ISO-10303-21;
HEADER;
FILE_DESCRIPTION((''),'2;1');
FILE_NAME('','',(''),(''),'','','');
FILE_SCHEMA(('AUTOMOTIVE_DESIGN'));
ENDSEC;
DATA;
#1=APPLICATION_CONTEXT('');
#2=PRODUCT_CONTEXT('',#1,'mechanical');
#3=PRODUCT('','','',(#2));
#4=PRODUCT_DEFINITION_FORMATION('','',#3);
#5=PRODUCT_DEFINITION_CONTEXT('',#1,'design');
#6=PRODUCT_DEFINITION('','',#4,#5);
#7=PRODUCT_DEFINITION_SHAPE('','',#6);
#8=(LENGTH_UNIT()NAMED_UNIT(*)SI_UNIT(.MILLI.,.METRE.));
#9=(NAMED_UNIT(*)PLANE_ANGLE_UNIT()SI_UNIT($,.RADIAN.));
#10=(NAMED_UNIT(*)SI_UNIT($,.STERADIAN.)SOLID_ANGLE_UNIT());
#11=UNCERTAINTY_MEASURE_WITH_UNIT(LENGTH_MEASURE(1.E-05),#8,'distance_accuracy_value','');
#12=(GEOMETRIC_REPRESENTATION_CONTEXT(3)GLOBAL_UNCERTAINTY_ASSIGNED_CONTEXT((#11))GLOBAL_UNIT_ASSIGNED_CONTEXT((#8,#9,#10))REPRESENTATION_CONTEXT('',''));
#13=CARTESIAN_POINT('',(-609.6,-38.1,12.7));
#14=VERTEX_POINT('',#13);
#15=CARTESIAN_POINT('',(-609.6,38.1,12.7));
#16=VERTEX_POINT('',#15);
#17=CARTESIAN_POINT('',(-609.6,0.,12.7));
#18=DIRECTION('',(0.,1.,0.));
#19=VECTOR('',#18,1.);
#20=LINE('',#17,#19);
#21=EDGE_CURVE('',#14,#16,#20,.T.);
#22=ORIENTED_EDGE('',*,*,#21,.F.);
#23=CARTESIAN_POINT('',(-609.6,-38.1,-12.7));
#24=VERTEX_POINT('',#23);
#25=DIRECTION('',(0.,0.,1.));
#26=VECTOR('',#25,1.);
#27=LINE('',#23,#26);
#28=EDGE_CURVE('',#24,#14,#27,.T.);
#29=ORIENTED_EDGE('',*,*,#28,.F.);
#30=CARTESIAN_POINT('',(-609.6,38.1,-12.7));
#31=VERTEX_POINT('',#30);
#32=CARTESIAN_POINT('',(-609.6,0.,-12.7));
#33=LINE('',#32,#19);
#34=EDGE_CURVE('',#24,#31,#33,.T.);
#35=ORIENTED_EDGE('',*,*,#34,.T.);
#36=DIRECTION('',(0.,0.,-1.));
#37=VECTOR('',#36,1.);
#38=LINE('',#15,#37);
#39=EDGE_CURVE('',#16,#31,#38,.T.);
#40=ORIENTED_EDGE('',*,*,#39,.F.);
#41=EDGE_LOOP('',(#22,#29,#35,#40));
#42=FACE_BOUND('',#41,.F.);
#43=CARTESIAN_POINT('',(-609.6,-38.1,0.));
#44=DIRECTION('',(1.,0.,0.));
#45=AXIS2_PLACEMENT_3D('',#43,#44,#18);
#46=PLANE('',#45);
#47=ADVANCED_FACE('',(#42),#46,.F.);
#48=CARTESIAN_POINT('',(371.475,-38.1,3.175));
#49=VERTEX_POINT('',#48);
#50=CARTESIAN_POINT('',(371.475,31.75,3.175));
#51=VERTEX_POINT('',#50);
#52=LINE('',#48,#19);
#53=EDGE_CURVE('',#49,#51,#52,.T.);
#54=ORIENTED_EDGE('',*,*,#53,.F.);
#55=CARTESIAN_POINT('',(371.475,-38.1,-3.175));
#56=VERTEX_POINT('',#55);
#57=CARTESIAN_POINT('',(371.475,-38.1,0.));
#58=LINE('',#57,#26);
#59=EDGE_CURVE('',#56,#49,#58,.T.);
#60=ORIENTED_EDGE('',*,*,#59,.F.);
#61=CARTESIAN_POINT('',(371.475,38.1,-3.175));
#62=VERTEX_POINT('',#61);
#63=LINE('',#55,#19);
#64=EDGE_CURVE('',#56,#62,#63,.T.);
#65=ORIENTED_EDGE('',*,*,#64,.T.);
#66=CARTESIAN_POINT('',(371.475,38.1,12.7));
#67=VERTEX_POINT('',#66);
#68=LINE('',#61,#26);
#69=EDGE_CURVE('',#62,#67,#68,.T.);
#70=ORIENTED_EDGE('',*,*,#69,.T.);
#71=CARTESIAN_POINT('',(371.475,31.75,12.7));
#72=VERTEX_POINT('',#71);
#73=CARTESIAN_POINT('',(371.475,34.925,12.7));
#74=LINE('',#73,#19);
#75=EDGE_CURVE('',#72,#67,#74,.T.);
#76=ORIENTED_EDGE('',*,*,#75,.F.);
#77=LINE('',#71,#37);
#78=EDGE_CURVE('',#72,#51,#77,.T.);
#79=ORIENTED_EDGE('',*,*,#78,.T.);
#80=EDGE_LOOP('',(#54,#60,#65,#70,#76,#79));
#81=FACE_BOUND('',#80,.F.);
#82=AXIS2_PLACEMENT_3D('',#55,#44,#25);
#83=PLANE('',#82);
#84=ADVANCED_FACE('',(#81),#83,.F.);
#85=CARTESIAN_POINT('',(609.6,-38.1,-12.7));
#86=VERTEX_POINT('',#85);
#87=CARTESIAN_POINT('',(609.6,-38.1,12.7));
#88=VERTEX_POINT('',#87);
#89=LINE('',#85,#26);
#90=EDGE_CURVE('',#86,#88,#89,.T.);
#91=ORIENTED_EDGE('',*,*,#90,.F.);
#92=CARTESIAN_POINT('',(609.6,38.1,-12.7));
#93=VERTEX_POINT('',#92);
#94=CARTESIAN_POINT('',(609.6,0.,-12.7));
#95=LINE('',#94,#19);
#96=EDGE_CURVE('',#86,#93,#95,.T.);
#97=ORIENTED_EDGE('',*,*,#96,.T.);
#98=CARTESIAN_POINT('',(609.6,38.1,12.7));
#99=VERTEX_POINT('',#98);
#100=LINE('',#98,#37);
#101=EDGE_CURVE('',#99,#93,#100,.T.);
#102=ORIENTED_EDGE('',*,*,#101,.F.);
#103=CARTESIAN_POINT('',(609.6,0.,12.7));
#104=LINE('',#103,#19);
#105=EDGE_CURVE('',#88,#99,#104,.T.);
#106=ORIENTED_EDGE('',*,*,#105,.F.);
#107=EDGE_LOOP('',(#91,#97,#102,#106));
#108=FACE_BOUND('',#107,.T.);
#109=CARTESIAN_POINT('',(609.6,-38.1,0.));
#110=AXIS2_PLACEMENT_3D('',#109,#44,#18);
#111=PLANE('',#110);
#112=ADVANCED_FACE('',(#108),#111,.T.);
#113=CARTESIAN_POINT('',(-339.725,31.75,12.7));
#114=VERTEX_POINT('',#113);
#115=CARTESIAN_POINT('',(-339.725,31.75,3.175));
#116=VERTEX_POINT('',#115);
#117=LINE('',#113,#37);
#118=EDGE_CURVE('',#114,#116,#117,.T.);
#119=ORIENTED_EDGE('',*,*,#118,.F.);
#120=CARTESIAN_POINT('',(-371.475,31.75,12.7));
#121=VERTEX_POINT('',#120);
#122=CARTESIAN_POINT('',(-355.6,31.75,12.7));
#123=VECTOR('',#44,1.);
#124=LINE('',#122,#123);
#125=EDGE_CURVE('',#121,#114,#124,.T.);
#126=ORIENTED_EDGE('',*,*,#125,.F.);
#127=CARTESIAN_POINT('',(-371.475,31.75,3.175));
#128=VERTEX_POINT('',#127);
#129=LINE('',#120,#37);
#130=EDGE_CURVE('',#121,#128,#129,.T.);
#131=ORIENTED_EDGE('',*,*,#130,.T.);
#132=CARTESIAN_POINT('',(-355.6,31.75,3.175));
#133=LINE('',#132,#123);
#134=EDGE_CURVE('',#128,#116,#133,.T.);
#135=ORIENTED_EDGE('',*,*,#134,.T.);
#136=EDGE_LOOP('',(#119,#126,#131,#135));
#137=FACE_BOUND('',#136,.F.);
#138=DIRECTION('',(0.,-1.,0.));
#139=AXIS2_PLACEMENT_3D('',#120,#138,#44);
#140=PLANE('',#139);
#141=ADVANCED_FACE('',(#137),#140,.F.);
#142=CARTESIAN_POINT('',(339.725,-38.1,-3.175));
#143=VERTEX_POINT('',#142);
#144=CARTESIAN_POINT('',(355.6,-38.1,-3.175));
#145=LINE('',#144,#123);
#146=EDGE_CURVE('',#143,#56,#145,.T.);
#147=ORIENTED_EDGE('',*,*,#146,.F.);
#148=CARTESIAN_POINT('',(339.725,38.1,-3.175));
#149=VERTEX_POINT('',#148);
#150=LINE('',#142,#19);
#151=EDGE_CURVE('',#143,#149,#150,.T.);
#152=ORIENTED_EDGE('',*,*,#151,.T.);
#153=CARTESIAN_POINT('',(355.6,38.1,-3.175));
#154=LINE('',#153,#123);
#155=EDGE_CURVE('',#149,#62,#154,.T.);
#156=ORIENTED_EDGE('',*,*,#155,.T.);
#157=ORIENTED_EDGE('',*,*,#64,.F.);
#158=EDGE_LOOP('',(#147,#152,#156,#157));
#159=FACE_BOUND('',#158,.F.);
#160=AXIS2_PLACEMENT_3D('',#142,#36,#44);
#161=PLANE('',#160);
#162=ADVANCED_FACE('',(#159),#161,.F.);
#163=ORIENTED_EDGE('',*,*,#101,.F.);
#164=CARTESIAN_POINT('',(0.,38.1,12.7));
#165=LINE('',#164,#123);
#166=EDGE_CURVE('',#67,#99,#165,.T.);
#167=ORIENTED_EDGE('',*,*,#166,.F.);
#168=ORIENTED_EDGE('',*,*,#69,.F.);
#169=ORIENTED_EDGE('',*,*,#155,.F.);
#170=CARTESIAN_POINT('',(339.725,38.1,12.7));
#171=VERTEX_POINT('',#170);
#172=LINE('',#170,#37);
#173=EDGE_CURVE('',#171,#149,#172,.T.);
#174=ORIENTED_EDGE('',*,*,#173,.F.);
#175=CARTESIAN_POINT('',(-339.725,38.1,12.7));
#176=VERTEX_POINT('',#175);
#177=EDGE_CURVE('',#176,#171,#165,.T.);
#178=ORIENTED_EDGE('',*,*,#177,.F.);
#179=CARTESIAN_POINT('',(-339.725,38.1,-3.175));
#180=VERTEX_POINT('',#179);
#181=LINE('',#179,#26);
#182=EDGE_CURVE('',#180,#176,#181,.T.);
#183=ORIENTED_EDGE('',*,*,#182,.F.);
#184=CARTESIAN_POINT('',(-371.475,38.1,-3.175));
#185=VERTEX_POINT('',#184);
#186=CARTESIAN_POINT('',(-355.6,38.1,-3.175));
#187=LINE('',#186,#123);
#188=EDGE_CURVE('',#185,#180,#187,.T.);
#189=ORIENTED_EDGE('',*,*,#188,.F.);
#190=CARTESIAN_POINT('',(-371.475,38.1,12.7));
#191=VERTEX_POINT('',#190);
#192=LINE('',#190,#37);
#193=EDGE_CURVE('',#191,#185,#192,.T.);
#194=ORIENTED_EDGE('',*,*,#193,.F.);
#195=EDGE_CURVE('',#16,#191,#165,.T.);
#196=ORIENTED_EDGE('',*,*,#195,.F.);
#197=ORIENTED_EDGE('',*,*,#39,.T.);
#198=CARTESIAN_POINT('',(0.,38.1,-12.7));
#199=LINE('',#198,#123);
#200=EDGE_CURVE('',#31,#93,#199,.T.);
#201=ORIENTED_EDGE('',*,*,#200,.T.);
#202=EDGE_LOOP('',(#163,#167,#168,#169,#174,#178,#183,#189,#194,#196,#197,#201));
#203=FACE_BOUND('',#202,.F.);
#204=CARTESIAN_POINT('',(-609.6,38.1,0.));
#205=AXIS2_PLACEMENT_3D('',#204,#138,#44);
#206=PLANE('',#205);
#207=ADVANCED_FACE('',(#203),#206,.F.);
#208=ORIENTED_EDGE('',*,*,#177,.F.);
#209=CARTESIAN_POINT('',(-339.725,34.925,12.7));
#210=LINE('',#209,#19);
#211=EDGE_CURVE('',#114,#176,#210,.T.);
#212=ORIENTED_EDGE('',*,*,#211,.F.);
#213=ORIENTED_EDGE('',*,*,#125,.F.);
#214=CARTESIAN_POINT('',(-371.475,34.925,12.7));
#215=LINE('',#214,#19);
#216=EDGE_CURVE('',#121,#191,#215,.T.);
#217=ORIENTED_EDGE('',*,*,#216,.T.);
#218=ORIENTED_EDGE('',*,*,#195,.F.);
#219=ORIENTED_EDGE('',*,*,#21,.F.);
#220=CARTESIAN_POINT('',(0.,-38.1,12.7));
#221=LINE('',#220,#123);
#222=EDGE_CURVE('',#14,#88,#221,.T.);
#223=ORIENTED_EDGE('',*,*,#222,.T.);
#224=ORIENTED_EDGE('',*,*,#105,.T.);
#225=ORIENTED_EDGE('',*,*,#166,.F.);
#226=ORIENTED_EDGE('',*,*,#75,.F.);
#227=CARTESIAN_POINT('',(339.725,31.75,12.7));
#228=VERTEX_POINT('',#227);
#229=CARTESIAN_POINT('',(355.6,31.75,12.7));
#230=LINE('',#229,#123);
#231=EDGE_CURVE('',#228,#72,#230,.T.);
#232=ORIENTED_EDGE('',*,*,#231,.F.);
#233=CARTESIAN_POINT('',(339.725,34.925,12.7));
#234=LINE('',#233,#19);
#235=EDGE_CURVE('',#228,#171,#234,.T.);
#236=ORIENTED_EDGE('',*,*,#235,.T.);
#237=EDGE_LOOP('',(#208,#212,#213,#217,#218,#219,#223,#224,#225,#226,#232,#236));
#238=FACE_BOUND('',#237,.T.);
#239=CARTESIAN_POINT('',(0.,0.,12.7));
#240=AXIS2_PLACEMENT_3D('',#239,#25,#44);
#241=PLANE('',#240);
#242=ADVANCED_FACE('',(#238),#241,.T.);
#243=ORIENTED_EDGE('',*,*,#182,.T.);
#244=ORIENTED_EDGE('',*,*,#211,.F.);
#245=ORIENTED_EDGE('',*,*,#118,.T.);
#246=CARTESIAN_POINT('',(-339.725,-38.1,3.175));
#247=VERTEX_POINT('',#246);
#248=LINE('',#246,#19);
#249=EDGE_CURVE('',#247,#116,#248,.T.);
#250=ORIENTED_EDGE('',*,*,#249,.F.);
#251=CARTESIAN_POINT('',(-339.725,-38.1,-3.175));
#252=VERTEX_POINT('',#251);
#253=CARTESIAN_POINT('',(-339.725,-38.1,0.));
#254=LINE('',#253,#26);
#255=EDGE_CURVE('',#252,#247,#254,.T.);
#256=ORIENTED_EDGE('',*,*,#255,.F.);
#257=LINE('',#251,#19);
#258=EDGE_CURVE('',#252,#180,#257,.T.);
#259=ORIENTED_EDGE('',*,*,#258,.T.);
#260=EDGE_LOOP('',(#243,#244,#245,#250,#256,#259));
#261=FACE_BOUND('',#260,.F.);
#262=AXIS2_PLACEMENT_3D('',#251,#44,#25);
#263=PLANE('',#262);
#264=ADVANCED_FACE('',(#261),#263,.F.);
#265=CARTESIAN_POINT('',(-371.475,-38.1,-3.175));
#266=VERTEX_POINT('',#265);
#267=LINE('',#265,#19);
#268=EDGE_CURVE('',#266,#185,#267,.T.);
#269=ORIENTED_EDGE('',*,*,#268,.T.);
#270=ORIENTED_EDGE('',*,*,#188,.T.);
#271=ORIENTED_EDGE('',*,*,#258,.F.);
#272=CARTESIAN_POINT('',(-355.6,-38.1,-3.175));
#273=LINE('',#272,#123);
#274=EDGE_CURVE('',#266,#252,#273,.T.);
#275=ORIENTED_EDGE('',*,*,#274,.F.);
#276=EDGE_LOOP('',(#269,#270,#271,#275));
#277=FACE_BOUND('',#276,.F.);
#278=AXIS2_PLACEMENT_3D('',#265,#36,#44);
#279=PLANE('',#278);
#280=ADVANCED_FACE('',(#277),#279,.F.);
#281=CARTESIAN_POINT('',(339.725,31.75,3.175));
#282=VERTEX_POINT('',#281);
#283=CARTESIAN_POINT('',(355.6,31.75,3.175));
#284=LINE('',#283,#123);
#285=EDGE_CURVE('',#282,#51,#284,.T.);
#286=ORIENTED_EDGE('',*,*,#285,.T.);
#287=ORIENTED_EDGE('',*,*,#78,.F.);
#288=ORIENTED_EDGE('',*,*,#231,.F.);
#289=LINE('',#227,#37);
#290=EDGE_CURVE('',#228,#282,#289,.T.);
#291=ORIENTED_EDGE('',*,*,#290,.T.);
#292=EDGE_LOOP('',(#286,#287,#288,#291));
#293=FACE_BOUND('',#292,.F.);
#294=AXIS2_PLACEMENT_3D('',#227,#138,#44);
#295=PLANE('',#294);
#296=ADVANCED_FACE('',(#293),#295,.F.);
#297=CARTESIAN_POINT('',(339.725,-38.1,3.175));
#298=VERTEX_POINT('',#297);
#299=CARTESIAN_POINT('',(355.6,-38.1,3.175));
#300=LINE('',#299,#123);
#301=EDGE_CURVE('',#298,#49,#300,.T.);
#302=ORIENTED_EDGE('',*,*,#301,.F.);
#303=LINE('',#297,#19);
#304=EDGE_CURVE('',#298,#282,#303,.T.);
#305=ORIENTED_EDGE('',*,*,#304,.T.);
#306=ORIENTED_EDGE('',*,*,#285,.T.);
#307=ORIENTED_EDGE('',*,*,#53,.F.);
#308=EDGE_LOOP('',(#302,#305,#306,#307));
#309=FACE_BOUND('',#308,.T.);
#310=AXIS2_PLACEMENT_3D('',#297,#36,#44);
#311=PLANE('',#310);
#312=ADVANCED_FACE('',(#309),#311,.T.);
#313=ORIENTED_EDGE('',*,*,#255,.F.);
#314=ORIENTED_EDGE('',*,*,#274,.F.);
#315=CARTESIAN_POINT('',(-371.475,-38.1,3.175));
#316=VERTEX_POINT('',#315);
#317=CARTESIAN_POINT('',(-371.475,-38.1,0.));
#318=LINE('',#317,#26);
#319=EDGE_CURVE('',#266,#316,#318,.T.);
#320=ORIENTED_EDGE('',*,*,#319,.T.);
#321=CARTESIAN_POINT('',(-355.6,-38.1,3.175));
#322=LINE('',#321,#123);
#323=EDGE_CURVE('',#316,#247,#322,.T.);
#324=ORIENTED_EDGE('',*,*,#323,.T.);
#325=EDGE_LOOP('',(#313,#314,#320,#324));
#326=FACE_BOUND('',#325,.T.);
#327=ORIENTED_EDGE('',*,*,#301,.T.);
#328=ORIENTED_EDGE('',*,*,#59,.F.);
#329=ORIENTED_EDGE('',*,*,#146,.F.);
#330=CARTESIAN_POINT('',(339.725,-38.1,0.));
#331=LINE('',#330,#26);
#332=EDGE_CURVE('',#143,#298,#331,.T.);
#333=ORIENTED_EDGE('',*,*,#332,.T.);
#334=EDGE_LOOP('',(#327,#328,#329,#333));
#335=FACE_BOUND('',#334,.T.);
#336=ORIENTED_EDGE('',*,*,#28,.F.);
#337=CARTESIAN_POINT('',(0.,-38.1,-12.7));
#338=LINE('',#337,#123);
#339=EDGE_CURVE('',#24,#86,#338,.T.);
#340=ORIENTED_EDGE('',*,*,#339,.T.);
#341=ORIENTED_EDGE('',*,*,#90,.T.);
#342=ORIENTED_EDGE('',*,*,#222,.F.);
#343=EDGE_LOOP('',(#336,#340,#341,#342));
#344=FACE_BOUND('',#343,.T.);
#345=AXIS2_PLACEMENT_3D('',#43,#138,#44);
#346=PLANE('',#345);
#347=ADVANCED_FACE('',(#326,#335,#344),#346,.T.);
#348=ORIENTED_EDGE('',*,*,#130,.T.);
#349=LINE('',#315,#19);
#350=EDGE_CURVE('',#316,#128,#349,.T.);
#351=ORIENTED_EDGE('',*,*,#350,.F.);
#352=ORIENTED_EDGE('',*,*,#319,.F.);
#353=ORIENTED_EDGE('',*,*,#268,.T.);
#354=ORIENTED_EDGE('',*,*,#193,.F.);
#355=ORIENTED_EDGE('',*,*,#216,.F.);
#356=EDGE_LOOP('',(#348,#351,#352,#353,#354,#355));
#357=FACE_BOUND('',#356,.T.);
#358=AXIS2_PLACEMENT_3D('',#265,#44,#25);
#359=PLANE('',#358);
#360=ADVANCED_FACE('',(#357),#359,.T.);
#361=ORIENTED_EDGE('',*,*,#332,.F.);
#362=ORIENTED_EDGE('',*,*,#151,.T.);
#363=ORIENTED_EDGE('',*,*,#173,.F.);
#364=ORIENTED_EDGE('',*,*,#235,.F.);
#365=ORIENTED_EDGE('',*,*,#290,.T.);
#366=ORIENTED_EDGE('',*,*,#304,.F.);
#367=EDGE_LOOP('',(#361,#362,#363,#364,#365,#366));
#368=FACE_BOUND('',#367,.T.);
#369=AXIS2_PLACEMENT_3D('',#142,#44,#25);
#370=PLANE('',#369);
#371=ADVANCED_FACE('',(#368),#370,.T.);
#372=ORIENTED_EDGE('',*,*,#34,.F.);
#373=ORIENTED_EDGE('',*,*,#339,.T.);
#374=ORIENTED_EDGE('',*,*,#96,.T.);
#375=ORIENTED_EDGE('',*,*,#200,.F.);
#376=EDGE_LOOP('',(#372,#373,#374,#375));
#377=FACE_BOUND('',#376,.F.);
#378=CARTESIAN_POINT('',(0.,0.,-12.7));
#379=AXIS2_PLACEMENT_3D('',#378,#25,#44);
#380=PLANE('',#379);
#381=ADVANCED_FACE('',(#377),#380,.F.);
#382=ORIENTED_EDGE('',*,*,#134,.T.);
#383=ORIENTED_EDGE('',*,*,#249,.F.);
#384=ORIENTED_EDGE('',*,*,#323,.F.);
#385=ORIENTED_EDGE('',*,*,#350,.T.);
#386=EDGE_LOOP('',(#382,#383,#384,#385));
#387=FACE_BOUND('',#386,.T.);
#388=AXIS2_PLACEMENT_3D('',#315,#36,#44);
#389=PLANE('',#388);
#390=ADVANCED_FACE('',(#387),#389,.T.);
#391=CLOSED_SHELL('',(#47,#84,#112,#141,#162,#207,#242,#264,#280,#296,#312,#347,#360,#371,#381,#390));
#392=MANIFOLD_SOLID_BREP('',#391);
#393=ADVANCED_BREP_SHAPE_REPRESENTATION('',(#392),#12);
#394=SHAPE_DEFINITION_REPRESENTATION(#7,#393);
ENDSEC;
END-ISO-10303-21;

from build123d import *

# Parameters (mm, degrees)
F0_W     = 1219.2
F0_H     = 76.2
F1_DEPTH = 12.7
F2_W     = 31.75
F2_H     = 6.35
F3_DEPTH = 76.2
F4_DEPTH = 76.2
F5_W     = 31.75
F5_H     = 6.35
F6_DEPTH = 9.525
F7_DEPTH = 9.525


with BuildPart() as f1:
    # F0 (on Top) → F1 (new body, symmetric)
    with BuildSketch(Plane.XY):
        Rectangle(F0_W, F0_H)
    extrude(amount=F1_DEPTH, both=True)

    # F2 (on face) → F3 (cut, through all)
    with BuildSketch(Plane.XZ.offset(38.1)):
        with Locations((-355.6, 0)):
            Rectangle(F2_W, F2_H)
    extrude(amount=-F3_DEPTH, mode=Mode.SUBTRACT)

    # F2 (on face) → F4 (cut, through all)
    with BuildSketch(Plane.XZ.offset(38.1)):
        with Locations((355.6, 0)):
            Rectangle(F2_W, F2_H)
    extrude(amount=-F4_DEPTH, mode=Mode.SUBTRACT)

    # F5 (on face) → F6 (cut, through all)
    with BuildSketch(Plane.XY.offset(12.7)):
        with Locations((-355.6, 34.925)):
            Rectangle(F5_W, F5_H)
    extrude(amount=-F6_DEPTH, mode=Mode.SUBTRACT)

    # F5 (on face) → F7 (cut, through all)
    with BuildSketch(Plane.XY.offset(12.7)):
        with Locations((355.6, 34.925)):
            Rectangle(F5_W, F5_H)
    extrude(amount=-F7_DEPTH, mode=Mode.SUBTRACT)


solid = f1.part
